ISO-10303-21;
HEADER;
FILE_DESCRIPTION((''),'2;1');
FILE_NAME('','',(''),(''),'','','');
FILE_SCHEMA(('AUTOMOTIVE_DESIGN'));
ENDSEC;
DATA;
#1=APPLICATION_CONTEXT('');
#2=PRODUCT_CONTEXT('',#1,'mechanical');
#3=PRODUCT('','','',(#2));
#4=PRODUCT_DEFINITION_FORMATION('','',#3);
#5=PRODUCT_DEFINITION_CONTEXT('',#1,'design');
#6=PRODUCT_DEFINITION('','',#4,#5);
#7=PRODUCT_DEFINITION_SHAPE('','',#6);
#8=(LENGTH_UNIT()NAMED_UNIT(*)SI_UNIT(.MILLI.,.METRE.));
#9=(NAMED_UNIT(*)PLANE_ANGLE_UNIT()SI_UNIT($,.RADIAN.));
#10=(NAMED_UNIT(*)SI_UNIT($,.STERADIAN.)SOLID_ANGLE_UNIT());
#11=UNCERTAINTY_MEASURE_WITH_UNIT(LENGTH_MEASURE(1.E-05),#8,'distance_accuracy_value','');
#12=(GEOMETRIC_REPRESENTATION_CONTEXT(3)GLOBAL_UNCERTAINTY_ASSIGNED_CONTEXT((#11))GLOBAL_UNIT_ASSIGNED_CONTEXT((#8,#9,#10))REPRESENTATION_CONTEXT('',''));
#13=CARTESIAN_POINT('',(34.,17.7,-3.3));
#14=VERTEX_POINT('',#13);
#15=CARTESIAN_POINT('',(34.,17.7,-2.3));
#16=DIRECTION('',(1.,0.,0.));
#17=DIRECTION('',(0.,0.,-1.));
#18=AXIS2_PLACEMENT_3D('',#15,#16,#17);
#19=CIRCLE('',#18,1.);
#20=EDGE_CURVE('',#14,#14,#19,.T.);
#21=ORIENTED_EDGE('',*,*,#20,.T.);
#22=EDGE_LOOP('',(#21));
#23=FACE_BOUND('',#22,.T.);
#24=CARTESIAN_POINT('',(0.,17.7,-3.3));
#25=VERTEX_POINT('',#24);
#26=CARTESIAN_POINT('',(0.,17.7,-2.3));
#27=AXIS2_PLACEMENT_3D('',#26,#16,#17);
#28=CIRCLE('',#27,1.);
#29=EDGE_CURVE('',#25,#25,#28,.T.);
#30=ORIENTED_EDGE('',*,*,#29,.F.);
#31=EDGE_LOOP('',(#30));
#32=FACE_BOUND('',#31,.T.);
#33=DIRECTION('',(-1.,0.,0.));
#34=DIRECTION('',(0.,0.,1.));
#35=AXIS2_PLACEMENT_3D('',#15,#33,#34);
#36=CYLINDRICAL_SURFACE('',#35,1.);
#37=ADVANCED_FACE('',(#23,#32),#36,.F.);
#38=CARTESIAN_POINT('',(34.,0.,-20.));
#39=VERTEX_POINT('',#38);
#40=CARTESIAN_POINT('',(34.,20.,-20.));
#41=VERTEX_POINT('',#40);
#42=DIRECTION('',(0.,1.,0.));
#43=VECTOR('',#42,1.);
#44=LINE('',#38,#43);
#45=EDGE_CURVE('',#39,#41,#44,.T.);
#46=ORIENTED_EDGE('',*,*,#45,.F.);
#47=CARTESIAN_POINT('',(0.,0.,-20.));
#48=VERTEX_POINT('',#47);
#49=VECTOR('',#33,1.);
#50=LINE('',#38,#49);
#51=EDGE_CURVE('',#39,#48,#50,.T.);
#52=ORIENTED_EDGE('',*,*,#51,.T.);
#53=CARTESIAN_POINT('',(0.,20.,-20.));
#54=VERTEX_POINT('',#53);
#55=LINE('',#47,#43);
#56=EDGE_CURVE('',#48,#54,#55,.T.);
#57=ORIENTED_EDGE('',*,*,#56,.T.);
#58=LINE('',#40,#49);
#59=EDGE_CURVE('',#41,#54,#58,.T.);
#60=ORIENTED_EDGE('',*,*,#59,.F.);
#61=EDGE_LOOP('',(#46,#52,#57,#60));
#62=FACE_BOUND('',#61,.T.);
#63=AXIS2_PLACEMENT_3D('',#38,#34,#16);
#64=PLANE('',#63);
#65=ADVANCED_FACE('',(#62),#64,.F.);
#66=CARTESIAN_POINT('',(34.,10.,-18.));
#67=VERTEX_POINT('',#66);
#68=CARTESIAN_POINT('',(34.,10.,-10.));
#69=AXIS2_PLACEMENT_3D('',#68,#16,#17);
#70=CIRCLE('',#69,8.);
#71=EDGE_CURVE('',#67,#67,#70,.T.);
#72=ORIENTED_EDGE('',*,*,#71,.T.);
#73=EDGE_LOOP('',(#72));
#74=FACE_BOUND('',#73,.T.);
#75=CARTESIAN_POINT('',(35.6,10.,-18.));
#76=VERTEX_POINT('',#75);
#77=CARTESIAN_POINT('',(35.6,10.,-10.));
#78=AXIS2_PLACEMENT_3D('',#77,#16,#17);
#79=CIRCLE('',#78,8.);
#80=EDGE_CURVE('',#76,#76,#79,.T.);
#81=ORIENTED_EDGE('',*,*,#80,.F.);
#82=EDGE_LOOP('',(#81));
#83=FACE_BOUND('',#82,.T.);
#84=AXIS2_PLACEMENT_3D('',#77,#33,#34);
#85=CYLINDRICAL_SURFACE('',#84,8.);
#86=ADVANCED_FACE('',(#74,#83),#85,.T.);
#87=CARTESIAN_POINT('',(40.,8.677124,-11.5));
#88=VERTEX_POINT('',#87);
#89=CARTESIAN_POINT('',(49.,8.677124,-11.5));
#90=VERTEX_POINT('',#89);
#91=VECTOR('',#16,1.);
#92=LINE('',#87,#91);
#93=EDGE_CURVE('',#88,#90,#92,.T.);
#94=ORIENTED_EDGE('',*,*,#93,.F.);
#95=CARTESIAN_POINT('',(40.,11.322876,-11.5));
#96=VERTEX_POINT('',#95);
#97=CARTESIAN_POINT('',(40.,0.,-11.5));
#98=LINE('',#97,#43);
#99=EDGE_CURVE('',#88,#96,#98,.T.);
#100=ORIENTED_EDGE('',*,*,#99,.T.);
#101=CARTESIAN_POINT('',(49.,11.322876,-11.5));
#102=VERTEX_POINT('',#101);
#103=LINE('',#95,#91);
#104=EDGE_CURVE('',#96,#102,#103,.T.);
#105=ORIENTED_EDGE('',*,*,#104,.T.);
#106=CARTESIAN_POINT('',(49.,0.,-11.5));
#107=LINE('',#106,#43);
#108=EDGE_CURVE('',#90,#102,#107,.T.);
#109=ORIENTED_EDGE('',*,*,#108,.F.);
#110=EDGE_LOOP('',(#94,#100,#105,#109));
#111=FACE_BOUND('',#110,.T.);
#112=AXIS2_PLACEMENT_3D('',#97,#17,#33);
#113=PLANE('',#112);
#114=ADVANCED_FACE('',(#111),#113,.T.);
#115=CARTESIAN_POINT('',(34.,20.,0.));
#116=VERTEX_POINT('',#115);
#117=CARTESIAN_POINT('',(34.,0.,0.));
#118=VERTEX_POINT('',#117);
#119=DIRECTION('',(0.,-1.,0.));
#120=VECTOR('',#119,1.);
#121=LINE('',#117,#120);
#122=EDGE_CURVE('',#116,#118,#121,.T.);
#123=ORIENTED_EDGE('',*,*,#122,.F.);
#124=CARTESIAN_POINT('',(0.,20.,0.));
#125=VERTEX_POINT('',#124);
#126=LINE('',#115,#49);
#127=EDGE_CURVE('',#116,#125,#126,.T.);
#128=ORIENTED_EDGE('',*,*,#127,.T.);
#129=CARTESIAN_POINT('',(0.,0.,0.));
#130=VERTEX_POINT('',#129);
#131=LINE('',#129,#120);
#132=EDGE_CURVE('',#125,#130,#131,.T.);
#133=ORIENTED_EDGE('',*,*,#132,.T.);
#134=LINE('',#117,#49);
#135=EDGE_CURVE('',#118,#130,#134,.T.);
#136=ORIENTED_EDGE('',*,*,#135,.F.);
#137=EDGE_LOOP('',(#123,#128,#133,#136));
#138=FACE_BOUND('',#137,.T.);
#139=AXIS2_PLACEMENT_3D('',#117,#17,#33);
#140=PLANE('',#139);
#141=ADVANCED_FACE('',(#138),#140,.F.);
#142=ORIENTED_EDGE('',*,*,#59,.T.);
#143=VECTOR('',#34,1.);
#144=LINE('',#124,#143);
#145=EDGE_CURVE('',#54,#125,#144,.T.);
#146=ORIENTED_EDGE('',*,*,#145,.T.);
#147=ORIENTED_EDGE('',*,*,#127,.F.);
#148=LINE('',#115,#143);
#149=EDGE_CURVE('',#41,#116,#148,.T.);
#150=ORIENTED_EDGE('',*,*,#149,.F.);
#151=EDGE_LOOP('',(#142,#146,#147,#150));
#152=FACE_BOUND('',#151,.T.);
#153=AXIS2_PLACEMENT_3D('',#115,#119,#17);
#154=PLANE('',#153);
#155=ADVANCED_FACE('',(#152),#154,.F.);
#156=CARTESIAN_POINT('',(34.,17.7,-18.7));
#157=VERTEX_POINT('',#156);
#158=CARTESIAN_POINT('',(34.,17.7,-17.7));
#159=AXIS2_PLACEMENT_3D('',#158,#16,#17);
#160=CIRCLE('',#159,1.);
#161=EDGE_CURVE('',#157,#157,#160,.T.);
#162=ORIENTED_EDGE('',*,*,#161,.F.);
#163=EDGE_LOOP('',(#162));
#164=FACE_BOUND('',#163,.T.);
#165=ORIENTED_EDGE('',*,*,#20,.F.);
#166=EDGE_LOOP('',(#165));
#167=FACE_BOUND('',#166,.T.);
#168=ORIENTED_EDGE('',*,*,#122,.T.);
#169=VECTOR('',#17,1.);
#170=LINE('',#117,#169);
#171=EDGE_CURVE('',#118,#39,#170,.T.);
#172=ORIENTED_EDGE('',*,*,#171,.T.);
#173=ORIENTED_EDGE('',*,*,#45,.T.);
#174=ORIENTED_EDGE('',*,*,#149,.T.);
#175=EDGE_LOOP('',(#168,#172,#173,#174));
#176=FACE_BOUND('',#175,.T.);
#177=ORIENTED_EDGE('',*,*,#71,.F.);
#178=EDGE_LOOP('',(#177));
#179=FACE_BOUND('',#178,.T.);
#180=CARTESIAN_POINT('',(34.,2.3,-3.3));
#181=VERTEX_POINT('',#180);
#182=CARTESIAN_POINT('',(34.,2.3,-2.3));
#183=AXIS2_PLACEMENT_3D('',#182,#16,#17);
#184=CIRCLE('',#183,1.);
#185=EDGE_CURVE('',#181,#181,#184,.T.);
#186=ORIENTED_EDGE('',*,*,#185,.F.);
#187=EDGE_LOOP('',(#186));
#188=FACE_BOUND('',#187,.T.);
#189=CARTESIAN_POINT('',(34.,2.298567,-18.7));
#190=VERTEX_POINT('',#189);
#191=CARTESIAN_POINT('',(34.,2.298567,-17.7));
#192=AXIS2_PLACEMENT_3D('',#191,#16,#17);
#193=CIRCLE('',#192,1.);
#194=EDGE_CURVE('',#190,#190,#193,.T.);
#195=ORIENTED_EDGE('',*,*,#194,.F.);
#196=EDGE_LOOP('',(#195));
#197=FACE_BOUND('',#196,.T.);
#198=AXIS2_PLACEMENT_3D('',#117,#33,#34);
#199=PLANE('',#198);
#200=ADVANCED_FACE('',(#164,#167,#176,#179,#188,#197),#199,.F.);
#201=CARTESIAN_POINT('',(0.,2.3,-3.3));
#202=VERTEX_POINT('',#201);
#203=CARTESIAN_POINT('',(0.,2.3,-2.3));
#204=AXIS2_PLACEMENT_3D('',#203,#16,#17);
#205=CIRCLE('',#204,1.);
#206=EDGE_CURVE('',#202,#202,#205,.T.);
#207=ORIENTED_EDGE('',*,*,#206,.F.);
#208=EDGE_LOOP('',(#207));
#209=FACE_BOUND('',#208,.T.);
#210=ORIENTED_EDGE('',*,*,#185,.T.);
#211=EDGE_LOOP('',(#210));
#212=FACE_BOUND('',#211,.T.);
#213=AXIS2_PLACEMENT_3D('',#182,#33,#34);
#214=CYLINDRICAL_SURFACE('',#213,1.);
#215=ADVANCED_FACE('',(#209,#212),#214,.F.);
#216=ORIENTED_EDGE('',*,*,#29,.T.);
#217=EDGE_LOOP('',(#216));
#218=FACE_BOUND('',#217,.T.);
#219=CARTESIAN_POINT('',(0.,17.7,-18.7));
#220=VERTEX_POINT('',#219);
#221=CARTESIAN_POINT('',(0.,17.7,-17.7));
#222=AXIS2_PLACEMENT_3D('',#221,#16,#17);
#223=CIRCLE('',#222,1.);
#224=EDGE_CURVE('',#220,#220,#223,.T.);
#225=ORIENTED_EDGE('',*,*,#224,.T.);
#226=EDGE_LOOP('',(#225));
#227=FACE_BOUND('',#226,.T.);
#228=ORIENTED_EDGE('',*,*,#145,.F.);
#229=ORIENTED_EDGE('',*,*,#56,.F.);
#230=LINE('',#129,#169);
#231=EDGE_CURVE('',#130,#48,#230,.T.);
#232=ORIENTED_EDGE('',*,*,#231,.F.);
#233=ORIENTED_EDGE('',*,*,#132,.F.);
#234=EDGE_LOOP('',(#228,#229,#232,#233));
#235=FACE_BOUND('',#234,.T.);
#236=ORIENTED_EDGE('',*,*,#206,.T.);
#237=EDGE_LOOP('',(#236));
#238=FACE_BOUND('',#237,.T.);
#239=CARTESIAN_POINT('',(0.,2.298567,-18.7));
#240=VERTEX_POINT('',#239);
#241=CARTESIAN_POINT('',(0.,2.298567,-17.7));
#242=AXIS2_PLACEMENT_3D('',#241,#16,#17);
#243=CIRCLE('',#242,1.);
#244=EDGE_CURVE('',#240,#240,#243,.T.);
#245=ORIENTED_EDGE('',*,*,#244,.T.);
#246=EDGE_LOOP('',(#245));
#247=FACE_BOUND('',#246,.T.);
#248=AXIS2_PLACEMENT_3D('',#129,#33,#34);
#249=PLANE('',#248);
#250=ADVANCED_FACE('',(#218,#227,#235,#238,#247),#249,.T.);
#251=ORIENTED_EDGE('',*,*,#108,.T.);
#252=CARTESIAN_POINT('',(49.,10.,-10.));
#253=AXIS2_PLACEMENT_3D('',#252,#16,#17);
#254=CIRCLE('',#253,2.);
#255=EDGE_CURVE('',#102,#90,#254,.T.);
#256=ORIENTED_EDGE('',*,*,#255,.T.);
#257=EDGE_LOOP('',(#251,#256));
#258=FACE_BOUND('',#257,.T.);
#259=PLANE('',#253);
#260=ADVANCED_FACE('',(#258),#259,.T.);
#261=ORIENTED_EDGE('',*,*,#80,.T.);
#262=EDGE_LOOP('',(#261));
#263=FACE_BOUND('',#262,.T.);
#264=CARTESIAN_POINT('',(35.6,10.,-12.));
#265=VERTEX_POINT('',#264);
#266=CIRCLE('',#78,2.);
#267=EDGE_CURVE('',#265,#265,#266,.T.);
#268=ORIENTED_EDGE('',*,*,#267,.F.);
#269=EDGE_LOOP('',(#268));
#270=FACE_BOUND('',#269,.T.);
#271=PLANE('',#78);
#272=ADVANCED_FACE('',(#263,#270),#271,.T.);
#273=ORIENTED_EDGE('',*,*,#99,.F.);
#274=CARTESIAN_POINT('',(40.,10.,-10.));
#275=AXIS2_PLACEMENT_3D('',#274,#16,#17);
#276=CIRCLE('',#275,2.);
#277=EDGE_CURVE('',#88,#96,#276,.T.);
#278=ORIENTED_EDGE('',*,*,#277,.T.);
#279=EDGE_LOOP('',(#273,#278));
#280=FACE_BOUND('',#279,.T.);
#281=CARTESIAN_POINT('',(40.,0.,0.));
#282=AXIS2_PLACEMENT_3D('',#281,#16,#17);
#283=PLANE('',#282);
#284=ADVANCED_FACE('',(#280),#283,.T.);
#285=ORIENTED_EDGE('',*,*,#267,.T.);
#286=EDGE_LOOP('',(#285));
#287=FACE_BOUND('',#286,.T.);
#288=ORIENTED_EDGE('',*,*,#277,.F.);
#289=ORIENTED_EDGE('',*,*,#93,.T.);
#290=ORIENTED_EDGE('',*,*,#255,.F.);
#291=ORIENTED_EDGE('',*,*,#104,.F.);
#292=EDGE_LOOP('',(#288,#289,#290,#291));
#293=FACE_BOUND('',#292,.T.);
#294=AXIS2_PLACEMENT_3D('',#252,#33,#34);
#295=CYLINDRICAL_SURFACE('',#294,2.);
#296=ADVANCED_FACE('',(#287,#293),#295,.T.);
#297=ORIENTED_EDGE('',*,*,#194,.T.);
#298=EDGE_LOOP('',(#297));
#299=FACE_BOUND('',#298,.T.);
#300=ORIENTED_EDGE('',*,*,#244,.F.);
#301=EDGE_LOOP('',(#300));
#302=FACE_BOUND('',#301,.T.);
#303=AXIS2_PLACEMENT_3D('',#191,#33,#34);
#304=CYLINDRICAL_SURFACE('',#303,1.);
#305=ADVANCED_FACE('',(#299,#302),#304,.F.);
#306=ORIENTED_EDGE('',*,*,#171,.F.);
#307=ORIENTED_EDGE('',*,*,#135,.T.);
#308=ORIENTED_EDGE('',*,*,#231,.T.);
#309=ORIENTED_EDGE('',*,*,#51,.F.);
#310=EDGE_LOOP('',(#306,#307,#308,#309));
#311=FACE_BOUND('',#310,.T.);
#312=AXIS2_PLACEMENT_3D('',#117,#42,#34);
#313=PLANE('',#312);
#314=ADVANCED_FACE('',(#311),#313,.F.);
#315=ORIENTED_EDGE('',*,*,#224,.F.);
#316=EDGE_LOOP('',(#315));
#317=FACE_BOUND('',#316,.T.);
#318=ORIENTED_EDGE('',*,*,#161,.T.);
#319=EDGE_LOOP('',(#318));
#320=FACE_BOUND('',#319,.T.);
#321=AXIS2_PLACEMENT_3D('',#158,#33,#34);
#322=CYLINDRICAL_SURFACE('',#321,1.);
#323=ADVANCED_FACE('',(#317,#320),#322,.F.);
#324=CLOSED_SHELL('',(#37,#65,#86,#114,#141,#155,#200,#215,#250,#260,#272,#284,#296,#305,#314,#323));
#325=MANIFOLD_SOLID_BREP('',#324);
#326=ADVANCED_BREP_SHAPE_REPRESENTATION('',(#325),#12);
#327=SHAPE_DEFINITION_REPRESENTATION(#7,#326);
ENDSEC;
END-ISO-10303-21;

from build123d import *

# Parameters (mm, degrees)
SKETCH_1_W          = 20
SKETCH_1_H          = 20
SKETCH_1_R          = 1
EXTRUDE_2_DEPTH     = 34
SKETCH_2_R          = 8
EXTRUDE_3_DEPTH     = 1.6
SKETCH_3_R          = 2
EXTRUDE_4_DEPTH     = 13.4
CUT_EXTRUDE_START   = -9
CUT_EXTRUDE_1_DEPTH = 9


with BuildPart() as part:
    # 草图1 → 凸台-拉伸2 (new body)
    with BuildSketch(Plane(origin=(0, 0, 0), x_dir=(0, 0, -1), z_dir=(1, 0, 0))):
        with Locations((10, 10)):
            Rectangle(SKETCH_1_W, SKETCH_1_H)
        with Locations((2.3, 2.3)):
            Circle(SKETCH_1_R, mode=Mode.SUBTRACT)
        with Locations((2.3, 17.7)):
            Circle(SKETCH_1_R, mode=Mode.SUBTRACT)
        with Locations((17.7, 17.7)):
            Circle(SKETCH_1_R, mode=Mode.SUBTRACT)
        with Locations((17.7, 2.298566716)):
            Circle(SKETCH_1_R, mode=Mode.SUBTRACT)
    extrude(amount=EXTRUDE_2_DEPTH)

    # 草图2 → 凸台-拉伸3 (add)
    with BuildSketch(Plane(origin=(34, 0, 0), x_dir=(0, 0, -1), z_dir=(1, 0, 0))):
        with Locations((10, 10)):
            Circle(SKETCH_2_R)
    extrude(amount=EXTRUDE_3_DEPTH)

    # 草图3 → 凸台-拉伸4 (add)
    with BuildSketch(Plane(origin=(35.6, 0, 0), x_dir=(0, 0, -1), z_dir=(1, 0, 0))):
        with Locations((10, 10)):
            Circle(SKETCH_3_R)
    extrude(amount=EXTRUDE_4_DEPTH)

    # 草图4 → 切除-拉伸1 (cut)
    with BuildSketch(Plane(origin=(49, 0, 0), x_dir=(0, 0, -1), z_dir=(1, 0, 0)).offset(CUT_EXTRUDE_START)):
        with BuildLine():
            Line((11.5, 11.322875656), (11.5, 10))
            Line((11.5, 10), (11.5, 8.677124344))
            ThreePointArc((11.5, 8.677124344), (11.870828693, 9.292893219), (12, 10))
            ThreePointArc((12, 10), (11.870828693, 10.707106781), (11.5, 11.322875656))
        make_face()
    extrude(amount=CUT_EXTRUDE_1_DEPTH, mode=Mode.SUBTRACT)


solid = part.part
